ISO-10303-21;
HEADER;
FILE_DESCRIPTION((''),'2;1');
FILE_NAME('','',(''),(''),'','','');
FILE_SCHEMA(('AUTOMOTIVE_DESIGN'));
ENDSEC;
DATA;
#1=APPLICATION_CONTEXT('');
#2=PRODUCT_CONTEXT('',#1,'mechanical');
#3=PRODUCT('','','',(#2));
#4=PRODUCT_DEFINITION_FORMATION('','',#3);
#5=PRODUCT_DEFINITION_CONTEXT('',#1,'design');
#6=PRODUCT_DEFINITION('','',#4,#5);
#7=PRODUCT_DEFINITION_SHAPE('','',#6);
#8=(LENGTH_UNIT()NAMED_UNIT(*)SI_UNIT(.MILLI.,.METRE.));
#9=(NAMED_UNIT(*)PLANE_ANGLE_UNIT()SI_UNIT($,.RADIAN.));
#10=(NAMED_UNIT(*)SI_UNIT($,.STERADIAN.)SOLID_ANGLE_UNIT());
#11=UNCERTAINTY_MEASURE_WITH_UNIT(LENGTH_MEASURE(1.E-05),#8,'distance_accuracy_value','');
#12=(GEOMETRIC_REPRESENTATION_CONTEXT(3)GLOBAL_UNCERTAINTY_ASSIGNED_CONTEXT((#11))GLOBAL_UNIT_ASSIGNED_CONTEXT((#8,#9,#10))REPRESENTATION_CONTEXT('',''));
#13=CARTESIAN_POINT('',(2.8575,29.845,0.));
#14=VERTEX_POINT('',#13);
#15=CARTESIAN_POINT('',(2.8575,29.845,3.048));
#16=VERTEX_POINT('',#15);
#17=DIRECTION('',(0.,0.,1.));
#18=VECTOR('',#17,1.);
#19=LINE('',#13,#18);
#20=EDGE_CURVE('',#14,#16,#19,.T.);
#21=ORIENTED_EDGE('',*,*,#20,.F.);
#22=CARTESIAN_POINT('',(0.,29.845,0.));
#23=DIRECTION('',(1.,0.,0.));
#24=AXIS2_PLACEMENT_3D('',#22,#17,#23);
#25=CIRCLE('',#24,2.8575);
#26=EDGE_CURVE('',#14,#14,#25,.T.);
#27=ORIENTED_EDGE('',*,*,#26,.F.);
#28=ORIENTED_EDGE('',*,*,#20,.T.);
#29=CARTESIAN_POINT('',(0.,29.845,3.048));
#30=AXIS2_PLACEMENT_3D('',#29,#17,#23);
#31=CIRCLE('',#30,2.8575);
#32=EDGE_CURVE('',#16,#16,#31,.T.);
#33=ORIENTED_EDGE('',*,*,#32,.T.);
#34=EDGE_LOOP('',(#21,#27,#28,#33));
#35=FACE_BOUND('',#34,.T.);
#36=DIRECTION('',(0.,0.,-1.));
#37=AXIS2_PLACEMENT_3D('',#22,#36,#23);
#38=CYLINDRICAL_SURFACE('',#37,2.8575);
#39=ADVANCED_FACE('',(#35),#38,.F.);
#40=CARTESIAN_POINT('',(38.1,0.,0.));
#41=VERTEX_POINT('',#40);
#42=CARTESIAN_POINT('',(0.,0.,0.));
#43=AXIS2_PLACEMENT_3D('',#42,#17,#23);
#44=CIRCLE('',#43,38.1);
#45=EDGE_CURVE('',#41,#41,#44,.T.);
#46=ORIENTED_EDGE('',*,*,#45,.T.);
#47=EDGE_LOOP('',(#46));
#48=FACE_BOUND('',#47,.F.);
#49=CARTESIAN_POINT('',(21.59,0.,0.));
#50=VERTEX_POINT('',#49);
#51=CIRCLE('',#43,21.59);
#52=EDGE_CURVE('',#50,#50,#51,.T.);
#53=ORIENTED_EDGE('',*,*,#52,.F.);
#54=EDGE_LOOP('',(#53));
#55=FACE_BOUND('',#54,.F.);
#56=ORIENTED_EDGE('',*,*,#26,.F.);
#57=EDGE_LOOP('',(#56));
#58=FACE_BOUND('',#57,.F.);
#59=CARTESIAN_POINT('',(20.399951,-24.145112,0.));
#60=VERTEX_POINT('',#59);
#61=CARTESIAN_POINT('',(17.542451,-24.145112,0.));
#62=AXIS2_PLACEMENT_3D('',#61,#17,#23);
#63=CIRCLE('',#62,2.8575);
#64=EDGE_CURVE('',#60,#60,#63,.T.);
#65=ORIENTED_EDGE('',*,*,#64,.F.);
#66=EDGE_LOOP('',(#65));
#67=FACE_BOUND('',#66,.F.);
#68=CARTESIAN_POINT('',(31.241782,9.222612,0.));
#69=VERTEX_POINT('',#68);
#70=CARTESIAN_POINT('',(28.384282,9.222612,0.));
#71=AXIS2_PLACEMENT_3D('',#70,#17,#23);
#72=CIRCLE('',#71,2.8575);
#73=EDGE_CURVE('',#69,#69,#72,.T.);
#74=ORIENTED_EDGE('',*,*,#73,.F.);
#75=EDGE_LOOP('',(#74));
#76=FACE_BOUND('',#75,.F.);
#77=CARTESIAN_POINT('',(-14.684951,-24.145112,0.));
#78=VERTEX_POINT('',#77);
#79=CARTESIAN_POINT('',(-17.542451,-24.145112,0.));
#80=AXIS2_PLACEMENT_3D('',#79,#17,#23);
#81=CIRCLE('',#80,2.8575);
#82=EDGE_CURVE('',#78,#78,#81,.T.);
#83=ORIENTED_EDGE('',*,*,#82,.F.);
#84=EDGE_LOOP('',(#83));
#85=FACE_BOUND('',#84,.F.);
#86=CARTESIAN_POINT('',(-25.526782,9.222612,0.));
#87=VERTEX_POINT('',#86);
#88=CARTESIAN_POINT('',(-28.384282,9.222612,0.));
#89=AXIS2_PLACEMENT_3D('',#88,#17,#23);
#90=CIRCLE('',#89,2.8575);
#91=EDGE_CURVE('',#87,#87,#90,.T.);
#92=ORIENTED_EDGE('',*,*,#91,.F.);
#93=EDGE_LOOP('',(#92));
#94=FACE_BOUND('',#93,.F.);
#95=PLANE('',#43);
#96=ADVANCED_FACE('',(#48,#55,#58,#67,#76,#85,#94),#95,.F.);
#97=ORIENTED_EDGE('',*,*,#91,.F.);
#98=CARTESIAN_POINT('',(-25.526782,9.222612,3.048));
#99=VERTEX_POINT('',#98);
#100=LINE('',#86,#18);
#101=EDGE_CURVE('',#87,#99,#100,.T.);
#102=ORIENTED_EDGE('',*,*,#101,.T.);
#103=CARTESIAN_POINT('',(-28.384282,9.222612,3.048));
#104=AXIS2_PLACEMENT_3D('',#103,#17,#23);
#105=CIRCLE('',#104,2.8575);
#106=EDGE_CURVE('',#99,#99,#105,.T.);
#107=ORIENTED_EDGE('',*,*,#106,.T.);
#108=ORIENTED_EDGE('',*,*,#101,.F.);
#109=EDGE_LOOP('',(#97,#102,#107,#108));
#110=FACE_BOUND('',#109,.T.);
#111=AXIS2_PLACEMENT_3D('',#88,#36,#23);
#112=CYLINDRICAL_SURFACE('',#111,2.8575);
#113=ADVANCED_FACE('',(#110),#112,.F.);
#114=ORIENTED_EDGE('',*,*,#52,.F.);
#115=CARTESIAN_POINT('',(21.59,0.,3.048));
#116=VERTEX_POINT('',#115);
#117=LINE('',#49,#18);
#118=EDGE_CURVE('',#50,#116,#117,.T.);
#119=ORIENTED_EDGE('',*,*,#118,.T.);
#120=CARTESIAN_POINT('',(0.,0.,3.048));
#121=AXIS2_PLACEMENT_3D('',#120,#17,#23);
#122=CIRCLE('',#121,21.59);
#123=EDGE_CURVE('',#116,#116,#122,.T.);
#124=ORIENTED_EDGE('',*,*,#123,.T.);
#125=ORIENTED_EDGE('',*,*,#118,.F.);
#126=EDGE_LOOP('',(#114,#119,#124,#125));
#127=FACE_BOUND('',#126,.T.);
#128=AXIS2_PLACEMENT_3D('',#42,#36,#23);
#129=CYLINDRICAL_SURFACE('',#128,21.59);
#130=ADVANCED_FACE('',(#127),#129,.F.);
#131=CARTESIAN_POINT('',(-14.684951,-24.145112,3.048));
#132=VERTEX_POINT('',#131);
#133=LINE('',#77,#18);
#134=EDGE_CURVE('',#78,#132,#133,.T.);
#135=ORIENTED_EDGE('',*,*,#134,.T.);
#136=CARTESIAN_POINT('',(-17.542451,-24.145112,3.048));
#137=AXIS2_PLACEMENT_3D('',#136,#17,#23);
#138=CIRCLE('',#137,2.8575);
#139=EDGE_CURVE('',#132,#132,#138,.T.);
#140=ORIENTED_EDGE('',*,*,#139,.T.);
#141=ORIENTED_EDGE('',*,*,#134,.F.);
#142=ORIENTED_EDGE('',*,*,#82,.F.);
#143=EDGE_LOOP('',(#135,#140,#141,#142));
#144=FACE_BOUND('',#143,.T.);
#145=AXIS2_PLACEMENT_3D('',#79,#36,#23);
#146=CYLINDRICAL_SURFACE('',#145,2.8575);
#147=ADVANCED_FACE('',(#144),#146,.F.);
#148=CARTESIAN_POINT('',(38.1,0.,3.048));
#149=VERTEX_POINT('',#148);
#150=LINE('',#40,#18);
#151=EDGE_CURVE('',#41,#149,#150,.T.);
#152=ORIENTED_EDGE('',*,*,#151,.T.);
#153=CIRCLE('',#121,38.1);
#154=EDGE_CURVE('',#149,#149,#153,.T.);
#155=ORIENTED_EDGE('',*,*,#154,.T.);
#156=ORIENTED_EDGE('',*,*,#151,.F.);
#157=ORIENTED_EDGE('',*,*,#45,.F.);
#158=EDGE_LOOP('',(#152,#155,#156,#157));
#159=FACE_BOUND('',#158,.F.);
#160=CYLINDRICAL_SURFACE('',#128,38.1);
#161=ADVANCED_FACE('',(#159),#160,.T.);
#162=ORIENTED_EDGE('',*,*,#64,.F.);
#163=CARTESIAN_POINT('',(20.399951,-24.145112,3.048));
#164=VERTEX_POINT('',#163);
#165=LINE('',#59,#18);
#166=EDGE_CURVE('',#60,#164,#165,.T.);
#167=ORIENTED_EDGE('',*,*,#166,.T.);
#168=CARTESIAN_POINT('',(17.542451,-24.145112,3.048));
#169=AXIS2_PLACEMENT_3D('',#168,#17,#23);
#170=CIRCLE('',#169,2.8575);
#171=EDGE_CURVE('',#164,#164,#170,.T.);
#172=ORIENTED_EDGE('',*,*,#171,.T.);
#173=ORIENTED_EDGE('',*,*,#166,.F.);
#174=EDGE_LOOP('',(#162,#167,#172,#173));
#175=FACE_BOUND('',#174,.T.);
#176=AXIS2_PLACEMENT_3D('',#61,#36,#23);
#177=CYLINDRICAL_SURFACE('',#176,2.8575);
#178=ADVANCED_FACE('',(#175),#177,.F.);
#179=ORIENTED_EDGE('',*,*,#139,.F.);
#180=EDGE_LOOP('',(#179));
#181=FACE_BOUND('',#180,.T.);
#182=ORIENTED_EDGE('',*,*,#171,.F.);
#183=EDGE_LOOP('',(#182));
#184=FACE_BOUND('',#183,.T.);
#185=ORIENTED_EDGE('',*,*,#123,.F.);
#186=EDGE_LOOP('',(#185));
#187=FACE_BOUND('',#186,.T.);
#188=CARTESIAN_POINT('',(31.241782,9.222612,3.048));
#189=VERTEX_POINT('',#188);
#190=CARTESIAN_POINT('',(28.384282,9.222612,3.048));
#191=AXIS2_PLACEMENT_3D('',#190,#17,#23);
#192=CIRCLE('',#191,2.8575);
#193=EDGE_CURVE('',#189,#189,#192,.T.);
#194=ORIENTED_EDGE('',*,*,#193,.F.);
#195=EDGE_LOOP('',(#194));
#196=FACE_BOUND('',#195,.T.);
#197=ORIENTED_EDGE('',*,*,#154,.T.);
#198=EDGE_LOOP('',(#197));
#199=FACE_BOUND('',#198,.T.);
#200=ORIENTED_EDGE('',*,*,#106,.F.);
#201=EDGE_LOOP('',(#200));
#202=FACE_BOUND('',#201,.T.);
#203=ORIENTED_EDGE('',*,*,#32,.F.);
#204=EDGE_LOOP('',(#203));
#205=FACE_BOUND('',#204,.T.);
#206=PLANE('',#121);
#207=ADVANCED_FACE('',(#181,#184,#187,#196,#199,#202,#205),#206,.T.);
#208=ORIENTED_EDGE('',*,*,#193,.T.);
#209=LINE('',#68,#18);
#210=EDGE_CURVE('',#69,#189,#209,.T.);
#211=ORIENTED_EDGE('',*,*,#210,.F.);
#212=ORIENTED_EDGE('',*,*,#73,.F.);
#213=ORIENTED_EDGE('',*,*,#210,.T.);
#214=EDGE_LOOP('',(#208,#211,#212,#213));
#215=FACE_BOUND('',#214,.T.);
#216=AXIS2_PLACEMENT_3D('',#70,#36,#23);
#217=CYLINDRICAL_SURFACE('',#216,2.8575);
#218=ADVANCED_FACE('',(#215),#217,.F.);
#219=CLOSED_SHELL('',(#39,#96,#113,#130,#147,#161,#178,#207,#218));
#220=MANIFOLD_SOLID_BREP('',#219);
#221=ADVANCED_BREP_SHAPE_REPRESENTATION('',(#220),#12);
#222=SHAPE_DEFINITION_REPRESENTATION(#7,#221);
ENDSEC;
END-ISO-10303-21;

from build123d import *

# Parameters (mm, degrees)
F0_R     = 38.1
F0_R_2   = 2.8575
F0_R_3   = 21.59
F1_DEPTH = 3.048


with BuildPart() as f1:
    # F0 (on Top) → F1 (new body)
    with BuildSketch(Plane.XY):
        Circle(F0_R)
        with Locations((-17.542451, -24.145112)):
            Circle(F0_R_2, mode=Mode.SUBTRACT)
        with Locations((17.542451, -24.145112)):
            Circle(F0_R_2, mode=Mode.SUBTRACT)
        with Locations((-28.384282, 9.222612)):
            Circle(F0_R_2, mode=Mode.SUBTRACT)
        Circle(F0_R_3, mode=Mode.SUBTRACT)
        with Locations((28.384282, 9.222612)):
            Circle(F0_R_2, mode=Mode.SUBTRACT)
        with Locations((0, 29.845)):
            Circle(F0_R_2, mode=Mode.SUBTRACT)
    extrude(amount=F1_DEPTH)


solid = f1.part
